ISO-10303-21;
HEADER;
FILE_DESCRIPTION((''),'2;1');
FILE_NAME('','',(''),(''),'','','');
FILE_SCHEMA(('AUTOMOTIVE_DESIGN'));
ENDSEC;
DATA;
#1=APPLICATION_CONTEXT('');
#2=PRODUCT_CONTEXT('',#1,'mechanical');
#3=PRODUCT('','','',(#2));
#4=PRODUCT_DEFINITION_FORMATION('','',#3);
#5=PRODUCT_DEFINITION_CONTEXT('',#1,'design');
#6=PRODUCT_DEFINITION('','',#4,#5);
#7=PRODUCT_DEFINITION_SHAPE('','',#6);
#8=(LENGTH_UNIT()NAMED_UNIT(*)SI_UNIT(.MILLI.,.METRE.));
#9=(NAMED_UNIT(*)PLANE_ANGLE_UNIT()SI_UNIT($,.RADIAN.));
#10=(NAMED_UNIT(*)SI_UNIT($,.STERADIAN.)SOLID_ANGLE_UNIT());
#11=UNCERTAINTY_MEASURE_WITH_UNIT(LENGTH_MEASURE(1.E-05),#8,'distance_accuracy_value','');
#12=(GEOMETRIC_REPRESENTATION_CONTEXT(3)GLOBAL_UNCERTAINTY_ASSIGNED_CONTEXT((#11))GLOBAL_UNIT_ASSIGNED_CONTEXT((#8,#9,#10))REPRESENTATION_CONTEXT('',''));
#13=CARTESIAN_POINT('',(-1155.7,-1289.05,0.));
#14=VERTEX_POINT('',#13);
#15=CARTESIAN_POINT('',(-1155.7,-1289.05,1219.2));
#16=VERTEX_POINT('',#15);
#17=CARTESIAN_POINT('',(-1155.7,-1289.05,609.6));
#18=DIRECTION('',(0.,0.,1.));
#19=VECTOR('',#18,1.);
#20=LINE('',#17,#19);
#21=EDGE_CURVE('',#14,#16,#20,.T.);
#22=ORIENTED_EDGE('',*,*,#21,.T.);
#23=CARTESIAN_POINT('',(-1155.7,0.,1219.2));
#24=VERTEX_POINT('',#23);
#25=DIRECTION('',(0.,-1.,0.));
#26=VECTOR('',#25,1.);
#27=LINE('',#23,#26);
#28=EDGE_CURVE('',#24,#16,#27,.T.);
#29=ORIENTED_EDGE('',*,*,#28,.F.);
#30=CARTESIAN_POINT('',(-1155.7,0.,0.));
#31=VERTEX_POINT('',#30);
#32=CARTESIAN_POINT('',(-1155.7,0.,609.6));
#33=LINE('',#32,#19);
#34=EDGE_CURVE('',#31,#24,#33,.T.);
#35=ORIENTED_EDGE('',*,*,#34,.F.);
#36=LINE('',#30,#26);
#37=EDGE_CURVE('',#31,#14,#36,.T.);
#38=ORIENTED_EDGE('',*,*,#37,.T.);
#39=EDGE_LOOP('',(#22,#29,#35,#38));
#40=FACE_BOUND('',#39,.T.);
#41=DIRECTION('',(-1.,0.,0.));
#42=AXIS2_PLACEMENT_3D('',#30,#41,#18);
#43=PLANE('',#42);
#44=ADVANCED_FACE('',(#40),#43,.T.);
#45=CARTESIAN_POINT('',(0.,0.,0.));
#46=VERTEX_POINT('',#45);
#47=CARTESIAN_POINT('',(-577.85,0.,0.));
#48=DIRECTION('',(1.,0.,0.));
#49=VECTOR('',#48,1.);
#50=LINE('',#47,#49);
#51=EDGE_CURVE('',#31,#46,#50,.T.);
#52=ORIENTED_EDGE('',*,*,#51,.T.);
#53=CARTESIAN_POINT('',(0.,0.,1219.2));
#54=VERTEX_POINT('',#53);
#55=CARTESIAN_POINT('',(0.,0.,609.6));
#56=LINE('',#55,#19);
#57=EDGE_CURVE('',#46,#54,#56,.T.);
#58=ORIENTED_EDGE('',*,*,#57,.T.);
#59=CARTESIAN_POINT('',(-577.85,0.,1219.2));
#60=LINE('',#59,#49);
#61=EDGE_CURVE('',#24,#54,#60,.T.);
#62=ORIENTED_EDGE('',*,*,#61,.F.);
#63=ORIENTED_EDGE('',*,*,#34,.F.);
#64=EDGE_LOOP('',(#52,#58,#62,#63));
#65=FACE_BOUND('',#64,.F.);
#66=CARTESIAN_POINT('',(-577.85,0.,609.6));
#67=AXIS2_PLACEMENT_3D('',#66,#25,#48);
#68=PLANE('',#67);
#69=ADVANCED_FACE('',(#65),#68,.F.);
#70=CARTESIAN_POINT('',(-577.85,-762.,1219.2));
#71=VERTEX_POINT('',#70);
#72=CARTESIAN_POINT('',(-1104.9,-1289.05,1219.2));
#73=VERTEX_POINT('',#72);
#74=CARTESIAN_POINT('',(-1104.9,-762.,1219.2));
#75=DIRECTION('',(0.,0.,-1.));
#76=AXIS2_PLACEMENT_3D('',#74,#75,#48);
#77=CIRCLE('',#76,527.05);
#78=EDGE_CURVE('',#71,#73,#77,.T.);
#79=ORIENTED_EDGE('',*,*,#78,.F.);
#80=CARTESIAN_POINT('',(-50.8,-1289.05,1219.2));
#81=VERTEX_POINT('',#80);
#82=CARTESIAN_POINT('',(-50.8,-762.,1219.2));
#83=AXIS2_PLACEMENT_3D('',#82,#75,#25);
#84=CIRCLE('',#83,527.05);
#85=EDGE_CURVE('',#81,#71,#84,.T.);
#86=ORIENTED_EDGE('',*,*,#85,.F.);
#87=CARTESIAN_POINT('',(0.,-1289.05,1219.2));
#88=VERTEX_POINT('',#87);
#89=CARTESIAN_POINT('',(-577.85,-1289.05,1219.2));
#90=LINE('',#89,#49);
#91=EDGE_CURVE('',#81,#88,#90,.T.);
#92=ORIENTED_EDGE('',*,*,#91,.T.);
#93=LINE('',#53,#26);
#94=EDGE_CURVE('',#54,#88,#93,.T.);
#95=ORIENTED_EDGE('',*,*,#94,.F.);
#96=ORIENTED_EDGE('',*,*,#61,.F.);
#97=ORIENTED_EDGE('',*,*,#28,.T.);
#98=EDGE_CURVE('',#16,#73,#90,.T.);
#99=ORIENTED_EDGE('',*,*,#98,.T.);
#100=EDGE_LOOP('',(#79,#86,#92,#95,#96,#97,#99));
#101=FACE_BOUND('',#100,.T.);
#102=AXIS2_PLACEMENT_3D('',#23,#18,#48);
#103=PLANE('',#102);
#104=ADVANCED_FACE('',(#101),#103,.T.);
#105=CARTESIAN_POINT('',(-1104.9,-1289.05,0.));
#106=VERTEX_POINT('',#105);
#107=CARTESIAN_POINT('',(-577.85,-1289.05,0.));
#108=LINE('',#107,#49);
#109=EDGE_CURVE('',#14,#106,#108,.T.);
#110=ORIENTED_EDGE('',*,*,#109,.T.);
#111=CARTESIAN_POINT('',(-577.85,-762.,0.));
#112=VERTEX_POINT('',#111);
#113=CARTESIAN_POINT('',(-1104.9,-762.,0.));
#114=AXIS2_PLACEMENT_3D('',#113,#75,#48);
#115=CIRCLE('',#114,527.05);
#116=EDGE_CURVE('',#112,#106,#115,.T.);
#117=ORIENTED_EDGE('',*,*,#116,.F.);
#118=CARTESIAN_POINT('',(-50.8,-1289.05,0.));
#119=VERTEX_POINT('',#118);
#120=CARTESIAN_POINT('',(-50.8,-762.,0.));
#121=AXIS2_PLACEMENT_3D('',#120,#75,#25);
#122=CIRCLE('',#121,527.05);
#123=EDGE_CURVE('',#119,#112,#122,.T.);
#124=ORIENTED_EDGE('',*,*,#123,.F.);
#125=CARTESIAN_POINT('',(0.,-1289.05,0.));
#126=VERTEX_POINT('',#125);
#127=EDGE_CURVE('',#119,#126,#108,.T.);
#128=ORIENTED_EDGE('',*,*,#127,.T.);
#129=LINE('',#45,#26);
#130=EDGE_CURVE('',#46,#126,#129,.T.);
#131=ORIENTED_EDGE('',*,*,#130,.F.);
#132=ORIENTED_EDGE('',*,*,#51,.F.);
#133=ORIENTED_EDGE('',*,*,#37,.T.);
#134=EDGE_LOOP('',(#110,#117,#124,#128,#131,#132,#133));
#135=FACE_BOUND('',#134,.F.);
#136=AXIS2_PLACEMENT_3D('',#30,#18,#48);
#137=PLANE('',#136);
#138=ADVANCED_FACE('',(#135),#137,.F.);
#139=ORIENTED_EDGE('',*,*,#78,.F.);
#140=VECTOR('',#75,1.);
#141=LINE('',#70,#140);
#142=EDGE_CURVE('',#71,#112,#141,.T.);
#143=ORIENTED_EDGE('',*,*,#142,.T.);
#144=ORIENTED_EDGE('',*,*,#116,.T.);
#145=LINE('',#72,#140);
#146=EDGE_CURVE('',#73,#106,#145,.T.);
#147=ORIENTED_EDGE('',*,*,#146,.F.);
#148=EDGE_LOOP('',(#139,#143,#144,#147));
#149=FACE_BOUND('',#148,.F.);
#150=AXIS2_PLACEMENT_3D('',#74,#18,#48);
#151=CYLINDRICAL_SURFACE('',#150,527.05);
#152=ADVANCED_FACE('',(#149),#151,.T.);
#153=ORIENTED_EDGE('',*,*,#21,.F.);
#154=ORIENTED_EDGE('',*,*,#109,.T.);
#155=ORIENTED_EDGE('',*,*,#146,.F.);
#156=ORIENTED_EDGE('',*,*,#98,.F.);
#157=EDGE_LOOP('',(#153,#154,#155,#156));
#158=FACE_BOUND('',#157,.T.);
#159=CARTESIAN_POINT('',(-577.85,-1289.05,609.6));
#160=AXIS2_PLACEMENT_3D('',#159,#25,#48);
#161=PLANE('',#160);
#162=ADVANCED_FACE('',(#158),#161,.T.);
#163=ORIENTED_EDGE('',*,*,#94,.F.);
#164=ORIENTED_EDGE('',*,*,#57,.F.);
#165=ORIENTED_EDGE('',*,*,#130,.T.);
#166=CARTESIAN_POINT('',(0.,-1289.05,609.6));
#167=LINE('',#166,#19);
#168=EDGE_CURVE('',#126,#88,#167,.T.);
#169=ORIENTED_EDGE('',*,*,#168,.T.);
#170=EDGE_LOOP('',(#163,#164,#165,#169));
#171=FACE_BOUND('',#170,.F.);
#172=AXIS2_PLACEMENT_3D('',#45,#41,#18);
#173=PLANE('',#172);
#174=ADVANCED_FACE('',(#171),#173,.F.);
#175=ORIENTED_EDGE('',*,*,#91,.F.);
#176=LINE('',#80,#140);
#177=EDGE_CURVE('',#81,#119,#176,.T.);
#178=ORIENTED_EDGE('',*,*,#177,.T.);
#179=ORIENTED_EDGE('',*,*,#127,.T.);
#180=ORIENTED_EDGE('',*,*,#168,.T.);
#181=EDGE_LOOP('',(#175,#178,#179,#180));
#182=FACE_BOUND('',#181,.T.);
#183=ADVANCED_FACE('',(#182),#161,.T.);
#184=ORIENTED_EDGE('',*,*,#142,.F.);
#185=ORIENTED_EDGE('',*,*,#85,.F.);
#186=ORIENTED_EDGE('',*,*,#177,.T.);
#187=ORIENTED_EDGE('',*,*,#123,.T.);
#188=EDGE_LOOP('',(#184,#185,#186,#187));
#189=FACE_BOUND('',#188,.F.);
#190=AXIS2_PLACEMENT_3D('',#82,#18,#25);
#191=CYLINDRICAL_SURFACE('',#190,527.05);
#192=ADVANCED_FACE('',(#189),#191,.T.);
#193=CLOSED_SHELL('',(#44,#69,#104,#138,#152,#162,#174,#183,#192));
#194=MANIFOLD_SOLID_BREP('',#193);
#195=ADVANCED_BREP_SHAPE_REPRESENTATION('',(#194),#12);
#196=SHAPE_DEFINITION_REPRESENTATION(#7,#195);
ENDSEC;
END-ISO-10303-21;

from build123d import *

# Parameters (mm, degrees)
F0_W     = 1155.7
F0_H     = 1219.2
F1_DEPTH = 1289.05
F3_DEPTH = 1219.2


with BuildPart() as f1:
    # F0 (on Front) → F1 (new body)
    with BuildSketch(Plane.XZ):
        with Locations((-577.85, 609.6)):
            Rectangle(F0_W, F0_H)
    extrude(amount=F1_DEPTH)

    # F2 (on face) → F3 (cut, through all)
    with BuildSketch(Plane.XY.offset(1219.2)):
        with BuildLine():
            ThreePointArc((-577.85, -762), (-732.219371, -1134.680629), (-1104.9, -1289.05))
            Line((-1104.9, -1289.05), (-50.8, -1289.05))
            ThreePointArc((-50.8, -1289.05), (-423.480629, -1134.680629), (-577.85, -762))
        make_face()
    extrude(amount=-F3_DEPTH, mode=Mode.SUBTRACT)


solid = f1.part
